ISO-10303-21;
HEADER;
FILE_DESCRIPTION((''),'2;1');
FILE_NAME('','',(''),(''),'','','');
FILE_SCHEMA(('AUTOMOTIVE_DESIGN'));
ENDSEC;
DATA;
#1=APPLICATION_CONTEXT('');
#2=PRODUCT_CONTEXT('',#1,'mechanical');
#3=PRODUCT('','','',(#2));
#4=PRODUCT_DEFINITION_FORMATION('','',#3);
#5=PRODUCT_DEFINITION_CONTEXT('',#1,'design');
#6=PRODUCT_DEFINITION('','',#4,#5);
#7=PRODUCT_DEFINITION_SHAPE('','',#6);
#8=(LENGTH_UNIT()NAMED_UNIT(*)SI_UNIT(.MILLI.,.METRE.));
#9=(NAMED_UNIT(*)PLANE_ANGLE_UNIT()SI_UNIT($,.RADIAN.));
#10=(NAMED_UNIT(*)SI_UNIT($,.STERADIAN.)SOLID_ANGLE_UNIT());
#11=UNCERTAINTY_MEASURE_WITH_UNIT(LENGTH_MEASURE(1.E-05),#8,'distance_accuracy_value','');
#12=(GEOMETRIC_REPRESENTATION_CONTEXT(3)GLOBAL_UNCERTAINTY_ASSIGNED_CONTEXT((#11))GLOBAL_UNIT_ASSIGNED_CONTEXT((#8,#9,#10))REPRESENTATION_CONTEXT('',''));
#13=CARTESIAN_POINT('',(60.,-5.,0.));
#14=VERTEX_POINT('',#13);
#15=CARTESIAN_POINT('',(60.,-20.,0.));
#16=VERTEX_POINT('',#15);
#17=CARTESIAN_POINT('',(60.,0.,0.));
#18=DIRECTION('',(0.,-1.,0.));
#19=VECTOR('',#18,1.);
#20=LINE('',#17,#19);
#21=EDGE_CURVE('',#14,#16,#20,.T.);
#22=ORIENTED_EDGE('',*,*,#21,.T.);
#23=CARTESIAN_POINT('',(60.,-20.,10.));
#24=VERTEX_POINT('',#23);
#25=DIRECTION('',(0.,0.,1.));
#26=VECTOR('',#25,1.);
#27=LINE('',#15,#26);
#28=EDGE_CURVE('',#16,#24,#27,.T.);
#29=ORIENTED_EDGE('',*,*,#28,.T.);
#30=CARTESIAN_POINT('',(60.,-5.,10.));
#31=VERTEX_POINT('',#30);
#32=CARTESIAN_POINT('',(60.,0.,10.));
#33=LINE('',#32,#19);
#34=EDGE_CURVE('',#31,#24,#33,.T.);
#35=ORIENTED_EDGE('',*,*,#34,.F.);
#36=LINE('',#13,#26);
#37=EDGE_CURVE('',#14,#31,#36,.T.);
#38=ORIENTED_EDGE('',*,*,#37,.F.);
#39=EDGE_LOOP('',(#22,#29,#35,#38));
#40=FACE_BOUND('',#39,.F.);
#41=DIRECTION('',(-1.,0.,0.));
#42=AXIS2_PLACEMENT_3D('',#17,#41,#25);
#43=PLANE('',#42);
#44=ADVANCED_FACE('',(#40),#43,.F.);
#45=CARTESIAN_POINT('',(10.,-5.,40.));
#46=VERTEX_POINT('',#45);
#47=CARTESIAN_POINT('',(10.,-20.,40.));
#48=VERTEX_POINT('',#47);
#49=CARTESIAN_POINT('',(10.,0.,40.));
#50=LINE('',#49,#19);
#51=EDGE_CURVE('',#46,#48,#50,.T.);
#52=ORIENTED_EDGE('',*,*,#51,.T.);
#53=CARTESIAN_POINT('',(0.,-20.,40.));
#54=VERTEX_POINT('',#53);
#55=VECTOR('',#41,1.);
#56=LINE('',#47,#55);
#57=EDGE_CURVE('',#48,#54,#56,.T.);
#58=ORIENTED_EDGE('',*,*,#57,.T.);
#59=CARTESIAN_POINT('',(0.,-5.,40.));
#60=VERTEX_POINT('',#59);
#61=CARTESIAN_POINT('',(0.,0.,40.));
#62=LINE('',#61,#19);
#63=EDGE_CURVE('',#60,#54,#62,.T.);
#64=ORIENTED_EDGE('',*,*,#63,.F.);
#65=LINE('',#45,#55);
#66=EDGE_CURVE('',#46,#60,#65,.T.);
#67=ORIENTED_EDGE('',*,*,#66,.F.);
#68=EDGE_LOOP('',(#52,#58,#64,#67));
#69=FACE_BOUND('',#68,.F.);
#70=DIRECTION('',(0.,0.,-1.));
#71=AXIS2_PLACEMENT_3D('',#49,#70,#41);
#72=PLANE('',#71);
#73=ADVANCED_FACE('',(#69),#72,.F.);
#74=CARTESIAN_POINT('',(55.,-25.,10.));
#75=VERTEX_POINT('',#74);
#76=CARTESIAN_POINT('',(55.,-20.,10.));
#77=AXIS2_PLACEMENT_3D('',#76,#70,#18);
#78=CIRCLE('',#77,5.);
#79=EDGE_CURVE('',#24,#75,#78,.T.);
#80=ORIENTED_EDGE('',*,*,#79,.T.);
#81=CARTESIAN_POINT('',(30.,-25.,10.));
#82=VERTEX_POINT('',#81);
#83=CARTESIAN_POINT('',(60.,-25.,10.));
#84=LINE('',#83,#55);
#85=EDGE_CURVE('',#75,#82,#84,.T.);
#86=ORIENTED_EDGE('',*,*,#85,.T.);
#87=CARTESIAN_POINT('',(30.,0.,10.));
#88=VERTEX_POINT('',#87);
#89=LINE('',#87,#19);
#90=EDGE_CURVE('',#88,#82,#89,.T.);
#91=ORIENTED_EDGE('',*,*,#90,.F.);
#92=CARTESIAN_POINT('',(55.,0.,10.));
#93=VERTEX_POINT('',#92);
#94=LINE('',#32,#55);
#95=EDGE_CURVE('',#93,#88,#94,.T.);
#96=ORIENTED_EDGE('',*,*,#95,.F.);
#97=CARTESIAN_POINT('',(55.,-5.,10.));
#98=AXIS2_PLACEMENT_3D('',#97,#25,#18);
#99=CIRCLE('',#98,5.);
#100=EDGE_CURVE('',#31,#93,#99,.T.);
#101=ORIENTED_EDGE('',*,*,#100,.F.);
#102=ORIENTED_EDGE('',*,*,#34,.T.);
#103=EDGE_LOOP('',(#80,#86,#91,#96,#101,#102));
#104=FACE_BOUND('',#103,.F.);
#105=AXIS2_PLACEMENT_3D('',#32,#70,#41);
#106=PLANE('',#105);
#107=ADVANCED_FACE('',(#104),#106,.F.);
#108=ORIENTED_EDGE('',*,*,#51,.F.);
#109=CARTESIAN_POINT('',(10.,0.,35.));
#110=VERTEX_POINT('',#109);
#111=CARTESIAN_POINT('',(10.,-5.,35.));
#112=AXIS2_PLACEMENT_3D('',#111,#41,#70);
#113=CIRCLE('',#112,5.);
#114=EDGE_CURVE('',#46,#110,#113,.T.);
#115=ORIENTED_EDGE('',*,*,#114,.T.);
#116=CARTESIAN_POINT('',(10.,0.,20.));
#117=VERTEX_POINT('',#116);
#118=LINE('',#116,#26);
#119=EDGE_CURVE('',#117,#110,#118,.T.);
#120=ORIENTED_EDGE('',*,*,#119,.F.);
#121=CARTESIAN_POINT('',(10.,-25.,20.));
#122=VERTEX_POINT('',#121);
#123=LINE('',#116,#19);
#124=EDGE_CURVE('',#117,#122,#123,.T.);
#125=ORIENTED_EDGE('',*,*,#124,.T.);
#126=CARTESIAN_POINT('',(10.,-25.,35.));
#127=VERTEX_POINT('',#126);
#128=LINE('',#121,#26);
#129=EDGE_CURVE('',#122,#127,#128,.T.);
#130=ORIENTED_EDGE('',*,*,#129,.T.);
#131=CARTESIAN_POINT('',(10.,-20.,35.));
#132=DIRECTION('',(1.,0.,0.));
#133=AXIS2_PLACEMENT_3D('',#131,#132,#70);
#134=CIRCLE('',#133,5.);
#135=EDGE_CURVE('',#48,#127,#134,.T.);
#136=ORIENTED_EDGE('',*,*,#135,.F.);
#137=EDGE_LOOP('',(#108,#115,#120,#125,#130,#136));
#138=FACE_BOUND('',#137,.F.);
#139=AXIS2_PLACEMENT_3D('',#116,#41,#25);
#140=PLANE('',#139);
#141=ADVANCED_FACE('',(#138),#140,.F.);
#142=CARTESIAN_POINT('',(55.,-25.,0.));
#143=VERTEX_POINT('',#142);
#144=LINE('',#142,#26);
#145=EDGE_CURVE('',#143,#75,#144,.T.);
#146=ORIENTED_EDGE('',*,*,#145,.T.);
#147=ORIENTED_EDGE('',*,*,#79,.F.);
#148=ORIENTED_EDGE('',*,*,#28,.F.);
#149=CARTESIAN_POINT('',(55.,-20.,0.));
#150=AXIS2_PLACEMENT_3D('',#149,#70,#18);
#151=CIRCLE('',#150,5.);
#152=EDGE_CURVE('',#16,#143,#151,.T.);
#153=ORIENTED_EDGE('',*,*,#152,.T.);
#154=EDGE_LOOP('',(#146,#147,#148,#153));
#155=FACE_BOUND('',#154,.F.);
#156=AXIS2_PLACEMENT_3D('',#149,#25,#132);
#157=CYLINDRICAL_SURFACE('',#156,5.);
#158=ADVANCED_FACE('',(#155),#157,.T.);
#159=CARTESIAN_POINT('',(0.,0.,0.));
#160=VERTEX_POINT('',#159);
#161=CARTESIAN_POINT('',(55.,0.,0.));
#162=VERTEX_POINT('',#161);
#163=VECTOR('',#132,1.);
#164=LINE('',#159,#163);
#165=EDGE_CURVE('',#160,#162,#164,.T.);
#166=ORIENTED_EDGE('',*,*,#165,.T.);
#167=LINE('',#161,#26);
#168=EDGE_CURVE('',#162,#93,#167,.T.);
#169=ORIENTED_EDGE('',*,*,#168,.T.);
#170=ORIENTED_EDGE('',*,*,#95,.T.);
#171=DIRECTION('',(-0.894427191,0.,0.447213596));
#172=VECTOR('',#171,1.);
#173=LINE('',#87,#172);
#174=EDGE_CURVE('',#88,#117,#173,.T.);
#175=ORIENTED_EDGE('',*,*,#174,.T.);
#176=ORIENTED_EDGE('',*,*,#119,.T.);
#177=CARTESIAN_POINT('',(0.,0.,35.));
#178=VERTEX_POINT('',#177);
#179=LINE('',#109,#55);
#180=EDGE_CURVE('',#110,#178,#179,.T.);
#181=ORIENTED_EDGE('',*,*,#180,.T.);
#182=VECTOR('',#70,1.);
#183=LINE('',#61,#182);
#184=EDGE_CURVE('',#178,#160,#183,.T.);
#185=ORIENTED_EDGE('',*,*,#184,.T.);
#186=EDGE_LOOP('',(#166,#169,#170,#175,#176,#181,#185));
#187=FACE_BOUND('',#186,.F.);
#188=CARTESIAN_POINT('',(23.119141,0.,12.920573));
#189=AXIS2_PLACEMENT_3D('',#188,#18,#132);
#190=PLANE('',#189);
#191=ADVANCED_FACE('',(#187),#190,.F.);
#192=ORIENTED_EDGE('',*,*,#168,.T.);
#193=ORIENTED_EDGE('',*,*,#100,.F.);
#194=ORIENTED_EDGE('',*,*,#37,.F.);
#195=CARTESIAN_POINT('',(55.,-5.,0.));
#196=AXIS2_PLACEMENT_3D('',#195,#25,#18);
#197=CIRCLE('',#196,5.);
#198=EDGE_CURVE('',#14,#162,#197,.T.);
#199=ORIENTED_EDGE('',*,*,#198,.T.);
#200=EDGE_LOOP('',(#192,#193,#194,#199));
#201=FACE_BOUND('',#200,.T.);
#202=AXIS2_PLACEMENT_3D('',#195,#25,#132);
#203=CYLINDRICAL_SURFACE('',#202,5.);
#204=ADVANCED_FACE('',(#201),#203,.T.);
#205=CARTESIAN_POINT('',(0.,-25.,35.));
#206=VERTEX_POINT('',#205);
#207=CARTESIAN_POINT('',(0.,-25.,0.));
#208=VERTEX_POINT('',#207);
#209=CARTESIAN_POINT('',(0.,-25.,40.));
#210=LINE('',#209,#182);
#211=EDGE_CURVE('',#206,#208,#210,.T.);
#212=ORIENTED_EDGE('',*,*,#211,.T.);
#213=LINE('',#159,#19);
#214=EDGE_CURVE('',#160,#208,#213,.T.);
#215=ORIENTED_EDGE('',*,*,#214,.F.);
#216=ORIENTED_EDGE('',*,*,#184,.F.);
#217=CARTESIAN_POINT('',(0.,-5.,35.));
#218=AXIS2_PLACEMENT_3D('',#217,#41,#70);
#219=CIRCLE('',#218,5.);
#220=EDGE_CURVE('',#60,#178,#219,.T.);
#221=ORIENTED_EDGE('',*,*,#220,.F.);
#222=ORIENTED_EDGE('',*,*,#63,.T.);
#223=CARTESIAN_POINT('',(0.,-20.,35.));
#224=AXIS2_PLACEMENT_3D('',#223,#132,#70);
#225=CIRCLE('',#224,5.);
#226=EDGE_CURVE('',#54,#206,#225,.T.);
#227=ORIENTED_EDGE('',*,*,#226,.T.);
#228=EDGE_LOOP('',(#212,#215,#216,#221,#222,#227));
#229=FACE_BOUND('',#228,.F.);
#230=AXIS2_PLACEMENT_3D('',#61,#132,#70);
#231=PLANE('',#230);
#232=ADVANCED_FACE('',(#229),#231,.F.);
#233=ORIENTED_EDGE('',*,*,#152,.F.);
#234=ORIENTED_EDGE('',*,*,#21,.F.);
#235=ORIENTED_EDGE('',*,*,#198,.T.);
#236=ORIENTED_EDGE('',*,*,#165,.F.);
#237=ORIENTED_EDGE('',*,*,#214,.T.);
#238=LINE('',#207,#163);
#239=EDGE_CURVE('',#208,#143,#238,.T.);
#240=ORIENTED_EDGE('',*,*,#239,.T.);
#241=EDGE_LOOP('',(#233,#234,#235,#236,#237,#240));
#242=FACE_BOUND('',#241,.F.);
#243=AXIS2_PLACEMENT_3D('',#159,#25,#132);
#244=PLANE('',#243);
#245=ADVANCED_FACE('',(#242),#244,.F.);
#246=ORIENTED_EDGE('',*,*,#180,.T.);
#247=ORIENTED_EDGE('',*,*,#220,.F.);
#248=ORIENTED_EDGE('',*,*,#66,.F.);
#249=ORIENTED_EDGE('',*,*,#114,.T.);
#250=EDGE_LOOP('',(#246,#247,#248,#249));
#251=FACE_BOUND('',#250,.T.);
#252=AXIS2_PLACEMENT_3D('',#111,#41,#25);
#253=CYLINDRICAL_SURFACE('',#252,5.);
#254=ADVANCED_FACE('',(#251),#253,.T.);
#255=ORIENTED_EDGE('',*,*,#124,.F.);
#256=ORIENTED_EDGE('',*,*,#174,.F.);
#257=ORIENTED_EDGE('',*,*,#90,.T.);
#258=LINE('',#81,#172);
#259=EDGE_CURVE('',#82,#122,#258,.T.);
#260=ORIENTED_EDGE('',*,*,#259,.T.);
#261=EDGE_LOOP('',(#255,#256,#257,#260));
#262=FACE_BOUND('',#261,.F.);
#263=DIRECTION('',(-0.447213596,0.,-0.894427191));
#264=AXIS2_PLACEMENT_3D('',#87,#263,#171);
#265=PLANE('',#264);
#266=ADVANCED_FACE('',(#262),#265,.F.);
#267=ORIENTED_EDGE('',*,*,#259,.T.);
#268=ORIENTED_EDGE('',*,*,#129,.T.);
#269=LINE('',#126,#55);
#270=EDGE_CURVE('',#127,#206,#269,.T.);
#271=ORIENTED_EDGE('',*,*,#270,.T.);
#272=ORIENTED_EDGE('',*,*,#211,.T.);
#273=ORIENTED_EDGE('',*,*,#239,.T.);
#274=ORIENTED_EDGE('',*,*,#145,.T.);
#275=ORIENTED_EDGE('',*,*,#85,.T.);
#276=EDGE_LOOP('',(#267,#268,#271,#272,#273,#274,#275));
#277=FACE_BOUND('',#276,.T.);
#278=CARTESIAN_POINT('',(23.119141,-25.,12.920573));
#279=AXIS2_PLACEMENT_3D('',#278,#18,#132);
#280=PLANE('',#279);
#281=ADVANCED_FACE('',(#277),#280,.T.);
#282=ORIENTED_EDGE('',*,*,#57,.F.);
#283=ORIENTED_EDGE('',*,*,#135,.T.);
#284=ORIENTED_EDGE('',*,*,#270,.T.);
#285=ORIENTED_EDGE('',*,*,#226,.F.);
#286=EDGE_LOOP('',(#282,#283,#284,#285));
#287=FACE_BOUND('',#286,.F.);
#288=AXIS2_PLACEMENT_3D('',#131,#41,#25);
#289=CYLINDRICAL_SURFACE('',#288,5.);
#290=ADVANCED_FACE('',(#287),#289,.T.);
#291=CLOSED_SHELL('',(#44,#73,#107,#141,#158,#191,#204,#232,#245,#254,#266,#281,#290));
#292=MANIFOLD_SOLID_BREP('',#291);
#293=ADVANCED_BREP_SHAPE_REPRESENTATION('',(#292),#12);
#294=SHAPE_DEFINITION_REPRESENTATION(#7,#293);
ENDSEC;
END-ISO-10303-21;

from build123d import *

# Parameters (mm, degrees)
F1_DEPTH = 25
F2_R     = 5


with BuildPart() as f1:
    # F0 (on Front) → F1 (new body)
    with BuildSketch(Plane.XZ):
        Polygon((0, 40), (0, 0), (60, 0), (60, 10), (30, 10), (10, 20), (10, 40), align=None)
    extrude(amount=F1_DEPTH)

    # F2
    f2_edges = [f1.edges().sort_by_distance(p)[0] for p in [
        (5, -25, 40),
        (5, 0, 40),
        (60, -25, 5),
        (60, 0, 5),
    ]]
    fillet(f2_edges, radius=F2_R)


solid = f1.part
